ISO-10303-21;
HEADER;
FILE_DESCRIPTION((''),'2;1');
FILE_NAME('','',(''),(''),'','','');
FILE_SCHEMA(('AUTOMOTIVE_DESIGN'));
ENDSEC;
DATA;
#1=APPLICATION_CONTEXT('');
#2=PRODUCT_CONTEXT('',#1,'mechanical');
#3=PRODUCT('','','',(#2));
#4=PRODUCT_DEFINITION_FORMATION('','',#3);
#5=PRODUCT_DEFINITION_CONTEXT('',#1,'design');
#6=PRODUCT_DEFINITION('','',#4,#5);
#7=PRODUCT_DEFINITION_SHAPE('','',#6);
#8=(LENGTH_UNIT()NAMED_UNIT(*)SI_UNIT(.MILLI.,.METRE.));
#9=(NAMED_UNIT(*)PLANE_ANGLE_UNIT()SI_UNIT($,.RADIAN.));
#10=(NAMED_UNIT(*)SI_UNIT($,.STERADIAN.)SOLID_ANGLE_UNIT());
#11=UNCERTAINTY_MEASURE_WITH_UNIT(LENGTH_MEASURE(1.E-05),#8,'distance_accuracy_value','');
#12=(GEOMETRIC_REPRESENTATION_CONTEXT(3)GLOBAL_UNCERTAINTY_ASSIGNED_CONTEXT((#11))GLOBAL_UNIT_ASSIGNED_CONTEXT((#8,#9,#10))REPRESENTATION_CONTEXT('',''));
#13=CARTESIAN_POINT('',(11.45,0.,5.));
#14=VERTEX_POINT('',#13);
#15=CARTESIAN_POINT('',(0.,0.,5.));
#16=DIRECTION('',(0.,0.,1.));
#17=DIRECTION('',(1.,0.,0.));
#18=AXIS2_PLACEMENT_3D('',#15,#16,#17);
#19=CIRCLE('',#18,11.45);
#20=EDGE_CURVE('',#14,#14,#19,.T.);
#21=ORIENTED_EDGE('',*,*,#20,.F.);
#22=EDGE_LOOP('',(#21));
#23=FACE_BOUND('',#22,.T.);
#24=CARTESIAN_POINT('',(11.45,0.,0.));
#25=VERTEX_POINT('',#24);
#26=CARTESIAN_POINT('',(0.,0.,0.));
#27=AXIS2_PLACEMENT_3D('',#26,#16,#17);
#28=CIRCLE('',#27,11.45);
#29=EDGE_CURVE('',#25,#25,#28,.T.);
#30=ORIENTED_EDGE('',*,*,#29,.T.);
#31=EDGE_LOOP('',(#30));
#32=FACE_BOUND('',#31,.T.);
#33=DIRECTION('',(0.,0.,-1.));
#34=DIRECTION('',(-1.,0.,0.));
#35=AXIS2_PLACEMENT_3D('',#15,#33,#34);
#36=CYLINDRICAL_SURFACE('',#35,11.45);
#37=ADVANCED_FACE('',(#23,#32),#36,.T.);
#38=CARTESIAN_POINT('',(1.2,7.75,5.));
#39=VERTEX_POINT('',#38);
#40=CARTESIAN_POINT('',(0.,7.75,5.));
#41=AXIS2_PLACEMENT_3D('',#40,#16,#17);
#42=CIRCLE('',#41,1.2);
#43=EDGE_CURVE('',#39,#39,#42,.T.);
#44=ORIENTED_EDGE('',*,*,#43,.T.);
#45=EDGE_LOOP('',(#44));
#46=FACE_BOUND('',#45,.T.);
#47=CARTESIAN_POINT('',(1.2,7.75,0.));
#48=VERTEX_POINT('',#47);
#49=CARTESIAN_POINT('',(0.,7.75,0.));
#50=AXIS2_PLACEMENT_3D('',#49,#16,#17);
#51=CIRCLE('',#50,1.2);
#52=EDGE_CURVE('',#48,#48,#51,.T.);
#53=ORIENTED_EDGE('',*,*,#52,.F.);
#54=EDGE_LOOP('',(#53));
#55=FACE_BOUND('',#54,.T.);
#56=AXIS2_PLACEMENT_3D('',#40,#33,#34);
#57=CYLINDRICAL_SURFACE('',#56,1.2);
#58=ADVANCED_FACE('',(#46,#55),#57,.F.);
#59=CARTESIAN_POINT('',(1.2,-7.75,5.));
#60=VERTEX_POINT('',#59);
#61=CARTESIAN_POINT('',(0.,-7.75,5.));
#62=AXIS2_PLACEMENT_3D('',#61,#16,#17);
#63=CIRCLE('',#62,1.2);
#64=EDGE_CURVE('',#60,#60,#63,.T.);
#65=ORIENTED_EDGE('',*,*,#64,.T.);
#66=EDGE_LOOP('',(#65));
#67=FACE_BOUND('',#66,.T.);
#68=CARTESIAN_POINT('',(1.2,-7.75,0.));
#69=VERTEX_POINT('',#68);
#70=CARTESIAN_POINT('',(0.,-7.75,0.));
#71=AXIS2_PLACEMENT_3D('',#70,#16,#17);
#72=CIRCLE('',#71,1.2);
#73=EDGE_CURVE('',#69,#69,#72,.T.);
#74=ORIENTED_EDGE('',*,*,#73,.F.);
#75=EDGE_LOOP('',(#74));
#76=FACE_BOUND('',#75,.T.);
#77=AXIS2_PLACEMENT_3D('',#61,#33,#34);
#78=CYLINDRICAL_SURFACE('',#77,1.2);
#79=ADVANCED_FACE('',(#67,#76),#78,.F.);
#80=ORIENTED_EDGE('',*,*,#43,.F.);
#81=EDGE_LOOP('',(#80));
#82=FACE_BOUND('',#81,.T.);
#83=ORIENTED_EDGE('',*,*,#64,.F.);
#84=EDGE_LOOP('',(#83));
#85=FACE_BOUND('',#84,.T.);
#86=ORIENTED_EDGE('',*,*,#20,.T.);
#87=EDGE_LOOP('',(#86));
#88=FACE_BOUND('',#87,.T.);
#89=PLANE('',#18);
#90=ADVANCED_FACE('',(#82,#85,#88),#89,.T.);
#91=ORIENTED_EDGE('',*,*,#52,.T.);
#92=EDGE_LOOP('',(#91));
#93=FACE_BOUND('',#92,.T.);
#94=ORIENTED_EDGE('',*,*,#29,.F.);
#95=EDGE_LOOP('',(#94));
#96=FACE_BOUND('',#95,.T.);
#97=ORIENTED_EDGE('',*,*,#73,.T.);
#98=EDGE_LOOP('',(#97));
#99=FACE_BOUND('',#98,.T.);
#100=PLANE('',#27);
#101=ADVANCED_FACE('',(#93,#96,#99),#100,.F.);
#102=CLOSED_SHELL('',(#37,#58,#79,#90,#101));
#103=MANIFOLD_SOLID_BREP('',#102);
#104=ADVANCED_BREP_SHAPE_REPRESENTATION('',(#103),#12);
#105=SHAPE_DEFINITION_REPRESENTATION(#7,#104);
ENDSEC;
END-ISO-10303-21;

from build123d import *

# Parameters (mm, degrees)
SKETCH1_R           = 11.45
SKETCH1_R_2         = 1.2
BOSS_EXTRUDE1_DEPTH = 5


with BuildPart() as part:
    # Sketch1 → Boss-Extrude1 (new body)
    with BuildSketch(Plane.XY):
        Circle(SKETCH1_R)
        with Locations((0, 7.75)):
            Circle(SKETCH1_R_2, mode=Mode.SUBTRACT)
        with Locations((0, -7.75)):
            Circle(SKETCH1_R_2, mode=Mode.SUBTRACT)
    extrude(amount=BOSS_EXTRUDE1_DEPTH)


solid = part.part
